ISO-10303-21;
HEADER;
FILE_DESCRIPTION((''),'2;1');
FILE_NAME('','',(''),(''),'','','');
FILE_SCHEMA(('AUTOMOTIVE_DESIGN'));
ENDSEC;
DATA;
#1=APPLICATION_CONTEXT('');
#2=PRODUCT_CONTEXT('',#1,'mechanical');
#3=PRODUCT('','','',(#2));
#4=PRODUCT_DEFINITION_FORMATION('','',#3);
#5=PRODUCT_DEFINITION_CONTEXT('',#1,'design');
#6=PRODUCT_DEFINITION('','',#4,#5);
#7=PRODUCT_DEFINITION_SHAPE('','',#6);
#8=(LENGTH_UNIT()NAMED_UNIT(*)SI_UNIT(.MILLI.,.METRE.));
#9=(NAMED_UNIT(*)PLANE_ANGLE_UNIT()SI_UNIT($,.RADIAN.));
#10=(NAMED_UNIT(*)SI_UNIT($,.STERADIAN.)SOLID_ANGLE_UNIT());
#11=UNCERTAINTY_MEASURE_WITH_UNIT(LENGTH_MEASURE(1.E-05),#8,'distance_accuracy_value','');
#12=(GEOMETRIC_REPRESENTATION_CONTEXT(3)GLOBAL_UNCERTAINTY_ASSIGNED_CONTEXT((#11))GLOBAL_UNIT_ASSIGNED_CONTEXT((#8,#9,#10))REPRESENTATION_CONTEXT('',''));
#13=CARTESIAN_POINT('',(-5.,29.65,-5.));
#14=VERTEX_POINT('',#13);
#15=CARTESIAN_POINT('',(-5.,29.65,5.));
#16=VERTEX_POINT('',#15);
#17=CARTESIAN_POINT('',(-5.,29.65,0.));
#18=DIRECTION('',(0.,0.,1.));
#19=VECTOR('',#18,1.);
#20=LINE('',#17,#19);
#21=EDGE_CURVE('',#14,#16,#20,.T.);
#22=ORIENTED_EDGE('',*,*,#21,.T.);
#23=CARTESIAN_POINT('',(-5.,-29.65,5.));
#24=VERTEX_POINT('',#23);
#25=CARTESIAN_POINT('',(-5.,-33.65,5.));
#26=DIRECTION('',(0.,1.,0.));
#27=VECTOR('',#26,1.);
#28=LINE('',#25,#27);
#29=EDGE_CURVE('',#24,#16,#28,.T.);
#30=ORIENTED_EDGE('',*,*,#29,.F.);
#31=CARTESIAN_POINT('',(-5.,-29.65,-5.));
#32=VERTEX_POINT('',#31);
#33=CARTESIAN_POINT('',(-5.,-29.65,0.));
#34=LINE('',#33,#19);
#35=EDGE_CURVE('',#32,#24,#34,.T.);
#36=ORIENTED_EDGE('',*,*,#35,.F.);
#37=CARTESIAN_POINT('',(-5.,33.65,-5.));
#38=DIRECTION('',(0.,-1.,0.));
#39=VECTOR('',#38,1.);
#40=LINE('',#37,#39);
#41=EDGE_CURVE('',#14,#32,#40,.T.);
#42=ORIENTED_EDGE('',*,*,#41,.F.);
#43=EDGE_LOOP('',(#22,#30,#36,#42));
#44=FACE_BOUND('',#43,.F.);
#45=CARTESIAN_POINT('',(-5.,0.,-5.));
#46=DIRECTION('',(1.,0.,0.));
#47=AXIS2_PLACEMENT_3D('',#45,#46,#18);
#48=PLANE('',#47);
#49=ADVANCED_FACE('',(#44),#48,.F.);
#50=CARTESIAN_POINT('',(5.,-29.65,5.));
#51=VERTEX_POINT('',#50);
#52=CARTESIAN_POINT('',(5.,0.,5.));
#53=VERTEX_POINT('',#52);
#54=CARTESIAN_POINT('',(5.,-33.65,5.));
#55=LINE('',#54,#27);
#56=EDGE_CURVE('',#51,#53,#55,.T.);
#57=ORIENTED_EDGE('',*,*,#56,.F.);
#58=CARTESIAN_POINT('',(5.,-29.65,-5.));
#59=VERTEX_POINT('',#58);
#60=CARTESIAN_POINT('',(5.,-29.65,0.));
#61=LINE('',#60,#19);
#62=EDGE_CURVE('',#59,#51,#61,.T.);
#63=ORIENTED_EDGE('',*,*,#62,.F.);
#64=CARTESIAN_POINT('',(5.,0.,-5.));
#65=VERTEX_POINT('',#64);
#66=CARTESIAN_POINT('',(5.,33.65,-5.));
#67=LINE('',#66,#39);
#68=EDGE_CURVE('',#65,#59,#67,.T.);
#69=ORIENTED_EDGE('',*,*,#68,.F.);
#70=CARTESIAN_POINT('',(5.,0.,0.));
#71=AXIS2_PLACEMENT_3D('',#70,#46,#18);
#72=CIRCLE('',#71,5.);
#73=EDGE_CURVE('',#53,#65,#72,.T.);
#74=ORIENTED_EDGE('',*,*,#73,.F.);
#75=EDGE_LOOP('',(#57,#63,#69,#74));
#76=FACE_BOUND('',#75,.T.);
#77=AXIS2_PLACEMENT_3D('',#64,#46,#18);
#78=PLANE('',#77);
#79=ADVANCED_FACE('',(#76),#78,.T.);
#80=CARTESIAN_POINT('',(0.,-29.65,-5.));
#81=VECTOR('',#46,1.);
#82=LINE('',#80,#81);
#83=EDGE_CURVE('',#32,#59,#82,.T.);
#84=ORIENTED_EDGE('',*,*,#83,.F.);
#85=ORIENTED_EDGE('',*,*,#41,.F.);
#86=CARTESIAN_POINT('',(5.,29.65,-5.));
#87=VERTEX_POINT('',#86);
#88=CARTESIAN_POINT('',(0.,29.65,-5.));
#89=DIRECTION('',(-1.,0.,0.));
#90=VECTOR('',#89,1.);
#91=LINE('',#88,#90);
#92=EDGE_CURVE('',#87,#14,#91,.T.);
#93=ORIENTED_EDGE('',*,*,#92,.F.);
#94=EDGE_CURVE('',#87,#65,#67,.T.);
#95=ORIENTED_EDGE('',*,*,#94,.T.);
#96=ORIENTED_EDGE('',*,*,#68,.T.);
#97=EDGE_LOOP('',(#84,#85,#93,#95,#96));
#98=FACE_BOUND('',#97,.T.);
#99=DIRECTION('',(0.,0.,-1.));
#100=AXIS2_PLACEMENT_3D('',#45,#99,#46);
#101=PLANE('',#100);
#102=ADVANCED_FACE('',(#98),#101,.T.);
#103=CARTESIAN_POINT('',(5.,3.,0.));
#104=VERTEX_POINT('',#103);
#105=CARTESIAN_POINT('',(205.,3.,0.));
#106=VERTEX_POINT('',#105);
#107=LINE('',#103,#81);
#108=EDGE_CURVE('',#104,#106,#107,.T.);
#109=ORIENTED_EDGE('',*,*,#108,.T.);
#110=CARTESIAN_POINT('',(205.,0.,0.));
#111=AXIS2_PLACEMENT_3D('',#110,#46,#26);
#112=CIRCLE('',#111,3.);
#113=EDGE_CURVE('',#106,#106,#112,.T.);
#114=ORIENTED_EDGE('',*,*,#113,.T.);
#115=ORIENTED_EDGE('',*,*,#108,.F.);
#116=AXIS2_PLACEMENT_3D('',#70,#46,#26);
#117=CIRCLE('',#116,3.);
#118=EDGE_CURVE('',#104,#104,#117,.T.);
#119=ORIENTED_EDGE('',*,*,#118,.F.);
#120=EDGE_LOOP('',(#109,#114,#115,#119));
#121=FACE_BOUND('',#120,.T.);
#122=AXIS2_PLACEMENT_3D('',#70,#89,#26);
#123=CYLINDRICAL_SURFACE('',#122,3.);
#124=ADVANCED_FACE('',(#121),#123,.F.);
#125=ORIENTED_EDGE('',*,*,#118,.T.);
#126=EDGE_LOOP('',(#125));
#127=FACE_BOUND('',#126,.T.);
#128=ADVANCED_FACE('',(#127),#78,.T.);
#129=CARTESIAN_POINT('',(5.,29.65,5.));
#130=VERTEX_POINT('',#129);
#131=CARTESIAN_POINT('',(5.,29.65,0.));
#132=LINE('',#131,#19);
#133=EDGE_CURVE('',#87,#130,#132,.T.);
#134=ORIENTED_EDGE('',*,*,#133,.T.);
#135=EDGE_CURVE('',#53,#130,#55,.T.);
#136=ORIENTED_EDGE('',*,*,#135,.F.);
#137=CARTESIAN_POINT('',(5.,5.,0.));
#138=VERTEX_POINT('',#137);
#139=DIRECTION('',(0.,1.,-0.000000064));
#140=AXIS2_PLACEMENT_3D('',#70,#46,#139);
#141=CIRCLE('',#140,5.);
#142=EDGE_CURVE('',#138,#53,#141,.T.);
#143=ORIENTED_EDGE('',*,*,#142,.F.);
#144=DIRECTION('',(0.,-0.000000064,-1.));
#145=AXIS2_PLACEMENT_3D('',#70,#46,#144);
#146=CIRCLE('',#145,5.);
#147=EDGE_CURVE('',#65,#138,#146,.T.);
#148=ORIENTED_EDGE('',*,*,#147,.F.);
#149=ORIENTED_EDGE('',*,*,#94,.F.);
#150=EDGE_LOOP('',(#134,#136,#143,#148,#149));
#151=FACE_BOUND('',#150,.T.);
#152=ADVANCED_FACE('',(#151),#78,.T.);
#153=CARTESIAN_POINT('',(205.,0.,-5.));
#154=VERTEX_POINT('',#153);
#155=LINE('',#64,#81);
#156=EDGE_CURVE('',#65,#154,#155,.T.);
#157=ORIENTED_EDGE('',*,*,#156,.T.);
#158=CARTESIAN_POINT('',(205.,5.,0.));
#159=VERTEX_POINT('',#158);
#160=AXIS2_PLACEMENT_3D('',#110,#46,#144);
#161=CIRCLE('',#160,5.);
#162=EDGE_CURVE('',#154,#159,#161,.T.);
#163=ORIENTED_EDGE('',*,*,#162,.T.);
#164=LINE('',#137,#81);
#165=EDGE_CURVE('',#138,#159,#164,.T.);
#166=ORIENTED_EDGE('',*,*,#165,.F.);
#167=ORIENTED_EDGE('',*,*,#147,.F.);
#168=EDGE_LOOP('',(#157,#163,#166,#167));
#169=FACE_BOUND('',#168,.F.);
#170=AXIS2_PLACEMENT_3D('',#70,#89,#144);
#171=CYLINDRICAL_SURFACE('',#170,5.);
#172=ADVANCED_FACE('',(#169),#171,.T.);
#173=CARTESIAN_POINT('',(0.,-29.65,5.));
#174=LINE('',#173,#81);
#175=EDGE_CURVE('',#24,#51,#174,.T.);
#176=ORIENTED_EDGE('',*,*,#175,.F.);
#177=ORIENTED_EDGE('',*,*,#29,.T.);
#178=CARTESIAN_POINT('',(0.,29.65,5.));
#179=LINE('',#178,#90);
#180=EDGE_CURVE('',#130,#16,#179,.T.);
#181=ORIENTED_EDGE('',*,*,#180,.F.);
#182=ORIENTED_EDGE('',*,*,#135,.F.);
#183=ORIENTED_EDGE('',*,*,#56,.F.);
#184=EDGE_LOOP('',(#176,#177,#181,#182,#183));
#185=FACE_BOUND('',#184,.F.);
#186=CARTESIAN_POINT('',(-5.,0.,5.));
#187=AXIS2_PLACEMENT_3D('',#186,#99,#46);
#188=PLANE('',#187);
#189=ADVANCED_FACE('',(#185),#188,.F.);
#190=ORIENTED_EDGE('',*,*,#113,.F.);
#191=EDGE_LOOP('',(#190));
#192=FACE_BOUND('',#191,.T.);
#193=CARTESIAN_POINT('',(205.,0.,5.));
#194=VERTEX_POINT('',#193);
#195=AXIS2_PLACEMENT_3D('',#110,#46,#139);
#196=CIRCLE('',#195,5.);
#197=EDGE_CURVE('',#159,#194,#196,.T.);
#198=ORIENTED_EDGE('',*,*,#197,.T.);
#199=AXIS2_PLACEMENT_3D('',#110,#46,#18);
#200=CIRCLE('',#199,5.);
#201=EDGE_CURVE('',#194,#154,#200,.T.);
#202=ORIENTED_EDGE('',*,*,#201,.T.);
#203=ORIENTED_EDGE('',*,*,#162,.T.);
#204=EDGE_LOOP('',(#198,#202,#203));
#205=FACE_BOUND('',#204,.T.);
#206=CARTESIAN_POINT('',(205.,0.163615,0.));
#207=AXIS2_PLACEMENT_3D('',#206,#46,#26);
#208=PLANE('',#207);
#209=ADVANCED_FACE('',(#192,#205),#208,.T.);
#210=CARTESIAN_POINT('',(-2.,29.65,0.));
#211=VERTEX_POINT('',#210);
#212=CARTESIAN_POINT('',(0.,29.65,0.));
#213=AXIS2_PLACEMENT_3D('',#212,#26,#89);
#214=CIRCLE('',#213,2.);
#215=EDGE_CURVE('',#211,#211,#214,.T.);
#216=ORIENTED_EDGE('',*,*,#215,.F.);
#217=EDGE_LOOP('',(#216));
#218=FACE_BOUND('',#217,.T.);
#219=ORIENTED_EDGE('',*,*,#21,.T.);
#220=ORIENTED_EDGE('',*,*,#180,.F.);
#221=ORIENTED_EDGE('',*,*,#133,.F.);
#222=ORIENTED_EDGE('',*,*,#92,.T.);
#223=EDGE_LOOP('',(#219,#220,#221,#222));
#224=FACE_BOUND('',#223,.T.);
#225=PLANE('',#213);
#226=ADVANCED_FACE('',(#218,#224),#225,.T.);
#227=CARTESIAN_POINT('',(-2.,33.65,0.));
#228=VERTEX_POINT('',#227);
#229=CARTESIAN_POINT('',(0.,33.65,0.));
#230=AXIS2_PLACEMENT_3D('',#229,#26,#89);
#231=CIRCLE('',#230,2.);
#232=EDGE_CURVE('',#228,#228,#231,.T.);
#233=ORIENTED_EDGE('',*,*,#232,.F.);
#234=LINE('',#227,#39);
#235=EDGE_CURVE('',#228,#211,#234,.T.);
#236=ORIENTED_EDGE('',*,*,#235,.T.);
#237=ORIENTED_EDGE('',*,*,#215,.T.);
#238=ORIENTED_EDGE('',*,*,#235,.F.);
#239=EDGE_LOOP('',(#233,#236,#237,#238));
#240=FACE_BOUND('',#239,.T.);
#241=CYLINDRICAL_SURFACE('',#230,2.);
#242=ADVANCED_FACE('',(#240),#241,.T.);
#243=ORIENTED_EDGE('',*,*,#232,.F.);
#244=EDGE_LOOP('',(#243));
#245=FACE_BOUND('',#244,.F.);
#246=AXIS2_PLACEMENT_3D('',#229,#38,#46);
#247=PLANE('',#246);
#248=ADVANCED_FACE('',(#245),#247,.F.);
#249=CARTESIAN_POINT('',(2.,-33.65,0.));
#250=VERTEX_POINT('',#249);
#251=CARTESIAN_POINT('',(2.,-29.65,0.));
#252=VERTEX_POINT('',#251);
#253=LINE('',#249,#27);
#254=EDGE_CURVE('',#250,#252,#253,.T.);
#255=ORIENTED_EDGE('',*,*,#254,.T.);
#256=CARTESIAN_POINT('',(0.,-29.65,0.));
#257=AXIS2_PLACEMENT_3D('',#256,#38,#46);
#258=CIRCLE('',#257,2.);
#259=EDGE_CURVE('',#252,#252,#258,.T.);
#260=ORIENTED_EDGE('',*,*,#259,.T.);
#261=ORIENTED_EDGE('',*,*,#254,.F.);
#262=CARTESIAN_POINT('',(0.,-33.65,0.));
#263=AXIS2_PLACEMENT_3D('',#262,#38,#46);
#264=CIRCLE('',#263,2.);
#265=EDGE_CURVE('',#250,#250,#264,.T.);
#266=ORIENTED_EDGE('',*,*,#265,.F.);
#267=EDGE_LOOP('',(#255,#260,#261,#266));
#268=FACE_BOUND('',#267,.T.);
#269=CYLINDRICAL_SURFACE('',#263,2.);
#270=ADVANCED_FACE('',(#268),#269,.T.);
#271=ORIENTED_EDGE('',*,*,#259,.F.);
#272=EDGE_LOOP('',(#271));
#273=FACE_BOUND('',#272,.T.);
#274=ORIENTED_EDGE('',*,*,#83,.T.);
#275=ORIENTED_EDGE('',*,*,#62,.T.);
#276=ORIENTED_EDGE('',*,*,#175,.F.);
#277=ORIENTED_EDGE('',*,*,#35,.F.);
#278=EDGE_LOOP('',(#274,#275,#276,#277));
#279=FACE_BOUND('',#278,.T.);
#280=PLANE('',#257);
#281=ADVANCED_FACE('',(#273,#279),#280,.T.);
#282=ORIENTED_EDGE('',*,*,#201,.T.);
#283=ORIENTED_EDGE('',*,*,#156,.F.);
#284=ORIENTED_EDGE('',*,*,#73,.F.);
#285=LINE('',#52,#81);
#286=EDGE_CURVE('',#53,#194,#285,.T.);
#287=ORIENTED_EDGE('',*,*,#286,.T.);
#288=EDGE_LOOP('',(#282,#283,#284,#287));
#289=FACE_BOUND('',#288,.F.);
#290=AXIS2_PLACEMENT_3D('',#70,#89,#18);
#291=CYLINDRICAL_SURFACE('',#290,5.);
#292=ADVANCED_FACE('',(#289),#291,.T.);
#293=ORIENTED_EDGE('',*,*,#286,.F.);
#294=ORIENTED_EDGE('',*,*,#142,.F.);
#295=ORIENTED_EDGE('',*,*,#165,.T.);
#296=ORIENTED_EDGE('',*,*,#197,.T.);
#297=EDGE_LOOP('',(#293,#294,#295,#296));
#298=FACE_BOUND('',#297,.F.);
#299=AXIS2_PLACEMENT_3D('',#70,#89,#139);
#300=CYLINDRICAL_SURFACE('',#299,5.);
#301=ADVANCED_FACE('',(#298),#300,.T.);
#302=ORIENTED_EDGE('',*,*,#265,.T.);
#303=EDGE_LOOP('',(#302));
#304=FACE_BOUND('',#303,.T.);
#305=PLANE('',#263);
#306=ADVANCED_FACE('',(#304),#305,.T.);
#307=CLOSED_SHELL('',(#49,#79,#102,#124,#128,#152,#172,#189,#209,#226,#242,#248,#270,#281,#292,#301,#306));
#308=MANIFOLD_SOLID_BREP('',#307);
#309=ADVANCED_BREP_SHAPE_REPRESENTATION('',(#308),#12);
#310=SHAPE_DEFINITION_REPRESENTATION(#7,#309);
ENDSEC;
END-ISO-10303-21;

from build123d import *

# Parameters (mm, degrees)
F0_W     = 10
F0_H     = 10
F1_DEPTH = 33.65
F2_W     = 10
F2_H     = 10
F2_R     = 2
F3_DEPTH = 4
F4_W     = 10
F4_H     = 10
F4_R     = 2
F5_DEPTH = 4
F6_R     = 3
F7_DEPTH = 200


with BuildPart() as f1:
    # F0 (on Front) → F1 (new body, symmetric)
    with BuildSketch(Plane.XZ):
        Rectangle(F0_W, F0_H)
    extrude(amount=F1_DEPTH, both=True)

    # F2 (on face) → F3 (cut)
    with BuildSketch(Plane.XZ.offset(33.65)):
        Rectangle(F2_W, F2_H)
        Circle(F2_R, mode=Mode.SUBTRACT)
    extrude(amount=-F3_DEPTH, mode=Mode.SUBTRACT)

    # F4 (on face) → F5 (cut)
    with BuildSketch(Plane(origin=(0, 33.65, 0), x_dir=(-1, 0, 0), z_dir=(0, 1, 0))):
        Rectangle(F4_W, F4_H)
        Circle(F4_R, mode=Mode.SUBTRACT)
    extrude(amount=-F5_DEPTH, mode=Mode.SUBTRACT)

    # F6 (on face) → F7 (join)
    with BuildSketch(Plane.YZ.offset(5)):
        with BuildLine():
            ThreePointArc((0, -5), (3.535534, -3.535534), (5, 0))
            ThreePointArc((5, 0), (3.535534, 3.535534), (0, 5))
            ThreePointArc((0, 5), (-5, 0), (0, -5))
        make_face()
        Circle(F6_R, mode=Mode.SUBTRACT)
    extrude(amount=F7_DEPTH)


solid = f1.part
